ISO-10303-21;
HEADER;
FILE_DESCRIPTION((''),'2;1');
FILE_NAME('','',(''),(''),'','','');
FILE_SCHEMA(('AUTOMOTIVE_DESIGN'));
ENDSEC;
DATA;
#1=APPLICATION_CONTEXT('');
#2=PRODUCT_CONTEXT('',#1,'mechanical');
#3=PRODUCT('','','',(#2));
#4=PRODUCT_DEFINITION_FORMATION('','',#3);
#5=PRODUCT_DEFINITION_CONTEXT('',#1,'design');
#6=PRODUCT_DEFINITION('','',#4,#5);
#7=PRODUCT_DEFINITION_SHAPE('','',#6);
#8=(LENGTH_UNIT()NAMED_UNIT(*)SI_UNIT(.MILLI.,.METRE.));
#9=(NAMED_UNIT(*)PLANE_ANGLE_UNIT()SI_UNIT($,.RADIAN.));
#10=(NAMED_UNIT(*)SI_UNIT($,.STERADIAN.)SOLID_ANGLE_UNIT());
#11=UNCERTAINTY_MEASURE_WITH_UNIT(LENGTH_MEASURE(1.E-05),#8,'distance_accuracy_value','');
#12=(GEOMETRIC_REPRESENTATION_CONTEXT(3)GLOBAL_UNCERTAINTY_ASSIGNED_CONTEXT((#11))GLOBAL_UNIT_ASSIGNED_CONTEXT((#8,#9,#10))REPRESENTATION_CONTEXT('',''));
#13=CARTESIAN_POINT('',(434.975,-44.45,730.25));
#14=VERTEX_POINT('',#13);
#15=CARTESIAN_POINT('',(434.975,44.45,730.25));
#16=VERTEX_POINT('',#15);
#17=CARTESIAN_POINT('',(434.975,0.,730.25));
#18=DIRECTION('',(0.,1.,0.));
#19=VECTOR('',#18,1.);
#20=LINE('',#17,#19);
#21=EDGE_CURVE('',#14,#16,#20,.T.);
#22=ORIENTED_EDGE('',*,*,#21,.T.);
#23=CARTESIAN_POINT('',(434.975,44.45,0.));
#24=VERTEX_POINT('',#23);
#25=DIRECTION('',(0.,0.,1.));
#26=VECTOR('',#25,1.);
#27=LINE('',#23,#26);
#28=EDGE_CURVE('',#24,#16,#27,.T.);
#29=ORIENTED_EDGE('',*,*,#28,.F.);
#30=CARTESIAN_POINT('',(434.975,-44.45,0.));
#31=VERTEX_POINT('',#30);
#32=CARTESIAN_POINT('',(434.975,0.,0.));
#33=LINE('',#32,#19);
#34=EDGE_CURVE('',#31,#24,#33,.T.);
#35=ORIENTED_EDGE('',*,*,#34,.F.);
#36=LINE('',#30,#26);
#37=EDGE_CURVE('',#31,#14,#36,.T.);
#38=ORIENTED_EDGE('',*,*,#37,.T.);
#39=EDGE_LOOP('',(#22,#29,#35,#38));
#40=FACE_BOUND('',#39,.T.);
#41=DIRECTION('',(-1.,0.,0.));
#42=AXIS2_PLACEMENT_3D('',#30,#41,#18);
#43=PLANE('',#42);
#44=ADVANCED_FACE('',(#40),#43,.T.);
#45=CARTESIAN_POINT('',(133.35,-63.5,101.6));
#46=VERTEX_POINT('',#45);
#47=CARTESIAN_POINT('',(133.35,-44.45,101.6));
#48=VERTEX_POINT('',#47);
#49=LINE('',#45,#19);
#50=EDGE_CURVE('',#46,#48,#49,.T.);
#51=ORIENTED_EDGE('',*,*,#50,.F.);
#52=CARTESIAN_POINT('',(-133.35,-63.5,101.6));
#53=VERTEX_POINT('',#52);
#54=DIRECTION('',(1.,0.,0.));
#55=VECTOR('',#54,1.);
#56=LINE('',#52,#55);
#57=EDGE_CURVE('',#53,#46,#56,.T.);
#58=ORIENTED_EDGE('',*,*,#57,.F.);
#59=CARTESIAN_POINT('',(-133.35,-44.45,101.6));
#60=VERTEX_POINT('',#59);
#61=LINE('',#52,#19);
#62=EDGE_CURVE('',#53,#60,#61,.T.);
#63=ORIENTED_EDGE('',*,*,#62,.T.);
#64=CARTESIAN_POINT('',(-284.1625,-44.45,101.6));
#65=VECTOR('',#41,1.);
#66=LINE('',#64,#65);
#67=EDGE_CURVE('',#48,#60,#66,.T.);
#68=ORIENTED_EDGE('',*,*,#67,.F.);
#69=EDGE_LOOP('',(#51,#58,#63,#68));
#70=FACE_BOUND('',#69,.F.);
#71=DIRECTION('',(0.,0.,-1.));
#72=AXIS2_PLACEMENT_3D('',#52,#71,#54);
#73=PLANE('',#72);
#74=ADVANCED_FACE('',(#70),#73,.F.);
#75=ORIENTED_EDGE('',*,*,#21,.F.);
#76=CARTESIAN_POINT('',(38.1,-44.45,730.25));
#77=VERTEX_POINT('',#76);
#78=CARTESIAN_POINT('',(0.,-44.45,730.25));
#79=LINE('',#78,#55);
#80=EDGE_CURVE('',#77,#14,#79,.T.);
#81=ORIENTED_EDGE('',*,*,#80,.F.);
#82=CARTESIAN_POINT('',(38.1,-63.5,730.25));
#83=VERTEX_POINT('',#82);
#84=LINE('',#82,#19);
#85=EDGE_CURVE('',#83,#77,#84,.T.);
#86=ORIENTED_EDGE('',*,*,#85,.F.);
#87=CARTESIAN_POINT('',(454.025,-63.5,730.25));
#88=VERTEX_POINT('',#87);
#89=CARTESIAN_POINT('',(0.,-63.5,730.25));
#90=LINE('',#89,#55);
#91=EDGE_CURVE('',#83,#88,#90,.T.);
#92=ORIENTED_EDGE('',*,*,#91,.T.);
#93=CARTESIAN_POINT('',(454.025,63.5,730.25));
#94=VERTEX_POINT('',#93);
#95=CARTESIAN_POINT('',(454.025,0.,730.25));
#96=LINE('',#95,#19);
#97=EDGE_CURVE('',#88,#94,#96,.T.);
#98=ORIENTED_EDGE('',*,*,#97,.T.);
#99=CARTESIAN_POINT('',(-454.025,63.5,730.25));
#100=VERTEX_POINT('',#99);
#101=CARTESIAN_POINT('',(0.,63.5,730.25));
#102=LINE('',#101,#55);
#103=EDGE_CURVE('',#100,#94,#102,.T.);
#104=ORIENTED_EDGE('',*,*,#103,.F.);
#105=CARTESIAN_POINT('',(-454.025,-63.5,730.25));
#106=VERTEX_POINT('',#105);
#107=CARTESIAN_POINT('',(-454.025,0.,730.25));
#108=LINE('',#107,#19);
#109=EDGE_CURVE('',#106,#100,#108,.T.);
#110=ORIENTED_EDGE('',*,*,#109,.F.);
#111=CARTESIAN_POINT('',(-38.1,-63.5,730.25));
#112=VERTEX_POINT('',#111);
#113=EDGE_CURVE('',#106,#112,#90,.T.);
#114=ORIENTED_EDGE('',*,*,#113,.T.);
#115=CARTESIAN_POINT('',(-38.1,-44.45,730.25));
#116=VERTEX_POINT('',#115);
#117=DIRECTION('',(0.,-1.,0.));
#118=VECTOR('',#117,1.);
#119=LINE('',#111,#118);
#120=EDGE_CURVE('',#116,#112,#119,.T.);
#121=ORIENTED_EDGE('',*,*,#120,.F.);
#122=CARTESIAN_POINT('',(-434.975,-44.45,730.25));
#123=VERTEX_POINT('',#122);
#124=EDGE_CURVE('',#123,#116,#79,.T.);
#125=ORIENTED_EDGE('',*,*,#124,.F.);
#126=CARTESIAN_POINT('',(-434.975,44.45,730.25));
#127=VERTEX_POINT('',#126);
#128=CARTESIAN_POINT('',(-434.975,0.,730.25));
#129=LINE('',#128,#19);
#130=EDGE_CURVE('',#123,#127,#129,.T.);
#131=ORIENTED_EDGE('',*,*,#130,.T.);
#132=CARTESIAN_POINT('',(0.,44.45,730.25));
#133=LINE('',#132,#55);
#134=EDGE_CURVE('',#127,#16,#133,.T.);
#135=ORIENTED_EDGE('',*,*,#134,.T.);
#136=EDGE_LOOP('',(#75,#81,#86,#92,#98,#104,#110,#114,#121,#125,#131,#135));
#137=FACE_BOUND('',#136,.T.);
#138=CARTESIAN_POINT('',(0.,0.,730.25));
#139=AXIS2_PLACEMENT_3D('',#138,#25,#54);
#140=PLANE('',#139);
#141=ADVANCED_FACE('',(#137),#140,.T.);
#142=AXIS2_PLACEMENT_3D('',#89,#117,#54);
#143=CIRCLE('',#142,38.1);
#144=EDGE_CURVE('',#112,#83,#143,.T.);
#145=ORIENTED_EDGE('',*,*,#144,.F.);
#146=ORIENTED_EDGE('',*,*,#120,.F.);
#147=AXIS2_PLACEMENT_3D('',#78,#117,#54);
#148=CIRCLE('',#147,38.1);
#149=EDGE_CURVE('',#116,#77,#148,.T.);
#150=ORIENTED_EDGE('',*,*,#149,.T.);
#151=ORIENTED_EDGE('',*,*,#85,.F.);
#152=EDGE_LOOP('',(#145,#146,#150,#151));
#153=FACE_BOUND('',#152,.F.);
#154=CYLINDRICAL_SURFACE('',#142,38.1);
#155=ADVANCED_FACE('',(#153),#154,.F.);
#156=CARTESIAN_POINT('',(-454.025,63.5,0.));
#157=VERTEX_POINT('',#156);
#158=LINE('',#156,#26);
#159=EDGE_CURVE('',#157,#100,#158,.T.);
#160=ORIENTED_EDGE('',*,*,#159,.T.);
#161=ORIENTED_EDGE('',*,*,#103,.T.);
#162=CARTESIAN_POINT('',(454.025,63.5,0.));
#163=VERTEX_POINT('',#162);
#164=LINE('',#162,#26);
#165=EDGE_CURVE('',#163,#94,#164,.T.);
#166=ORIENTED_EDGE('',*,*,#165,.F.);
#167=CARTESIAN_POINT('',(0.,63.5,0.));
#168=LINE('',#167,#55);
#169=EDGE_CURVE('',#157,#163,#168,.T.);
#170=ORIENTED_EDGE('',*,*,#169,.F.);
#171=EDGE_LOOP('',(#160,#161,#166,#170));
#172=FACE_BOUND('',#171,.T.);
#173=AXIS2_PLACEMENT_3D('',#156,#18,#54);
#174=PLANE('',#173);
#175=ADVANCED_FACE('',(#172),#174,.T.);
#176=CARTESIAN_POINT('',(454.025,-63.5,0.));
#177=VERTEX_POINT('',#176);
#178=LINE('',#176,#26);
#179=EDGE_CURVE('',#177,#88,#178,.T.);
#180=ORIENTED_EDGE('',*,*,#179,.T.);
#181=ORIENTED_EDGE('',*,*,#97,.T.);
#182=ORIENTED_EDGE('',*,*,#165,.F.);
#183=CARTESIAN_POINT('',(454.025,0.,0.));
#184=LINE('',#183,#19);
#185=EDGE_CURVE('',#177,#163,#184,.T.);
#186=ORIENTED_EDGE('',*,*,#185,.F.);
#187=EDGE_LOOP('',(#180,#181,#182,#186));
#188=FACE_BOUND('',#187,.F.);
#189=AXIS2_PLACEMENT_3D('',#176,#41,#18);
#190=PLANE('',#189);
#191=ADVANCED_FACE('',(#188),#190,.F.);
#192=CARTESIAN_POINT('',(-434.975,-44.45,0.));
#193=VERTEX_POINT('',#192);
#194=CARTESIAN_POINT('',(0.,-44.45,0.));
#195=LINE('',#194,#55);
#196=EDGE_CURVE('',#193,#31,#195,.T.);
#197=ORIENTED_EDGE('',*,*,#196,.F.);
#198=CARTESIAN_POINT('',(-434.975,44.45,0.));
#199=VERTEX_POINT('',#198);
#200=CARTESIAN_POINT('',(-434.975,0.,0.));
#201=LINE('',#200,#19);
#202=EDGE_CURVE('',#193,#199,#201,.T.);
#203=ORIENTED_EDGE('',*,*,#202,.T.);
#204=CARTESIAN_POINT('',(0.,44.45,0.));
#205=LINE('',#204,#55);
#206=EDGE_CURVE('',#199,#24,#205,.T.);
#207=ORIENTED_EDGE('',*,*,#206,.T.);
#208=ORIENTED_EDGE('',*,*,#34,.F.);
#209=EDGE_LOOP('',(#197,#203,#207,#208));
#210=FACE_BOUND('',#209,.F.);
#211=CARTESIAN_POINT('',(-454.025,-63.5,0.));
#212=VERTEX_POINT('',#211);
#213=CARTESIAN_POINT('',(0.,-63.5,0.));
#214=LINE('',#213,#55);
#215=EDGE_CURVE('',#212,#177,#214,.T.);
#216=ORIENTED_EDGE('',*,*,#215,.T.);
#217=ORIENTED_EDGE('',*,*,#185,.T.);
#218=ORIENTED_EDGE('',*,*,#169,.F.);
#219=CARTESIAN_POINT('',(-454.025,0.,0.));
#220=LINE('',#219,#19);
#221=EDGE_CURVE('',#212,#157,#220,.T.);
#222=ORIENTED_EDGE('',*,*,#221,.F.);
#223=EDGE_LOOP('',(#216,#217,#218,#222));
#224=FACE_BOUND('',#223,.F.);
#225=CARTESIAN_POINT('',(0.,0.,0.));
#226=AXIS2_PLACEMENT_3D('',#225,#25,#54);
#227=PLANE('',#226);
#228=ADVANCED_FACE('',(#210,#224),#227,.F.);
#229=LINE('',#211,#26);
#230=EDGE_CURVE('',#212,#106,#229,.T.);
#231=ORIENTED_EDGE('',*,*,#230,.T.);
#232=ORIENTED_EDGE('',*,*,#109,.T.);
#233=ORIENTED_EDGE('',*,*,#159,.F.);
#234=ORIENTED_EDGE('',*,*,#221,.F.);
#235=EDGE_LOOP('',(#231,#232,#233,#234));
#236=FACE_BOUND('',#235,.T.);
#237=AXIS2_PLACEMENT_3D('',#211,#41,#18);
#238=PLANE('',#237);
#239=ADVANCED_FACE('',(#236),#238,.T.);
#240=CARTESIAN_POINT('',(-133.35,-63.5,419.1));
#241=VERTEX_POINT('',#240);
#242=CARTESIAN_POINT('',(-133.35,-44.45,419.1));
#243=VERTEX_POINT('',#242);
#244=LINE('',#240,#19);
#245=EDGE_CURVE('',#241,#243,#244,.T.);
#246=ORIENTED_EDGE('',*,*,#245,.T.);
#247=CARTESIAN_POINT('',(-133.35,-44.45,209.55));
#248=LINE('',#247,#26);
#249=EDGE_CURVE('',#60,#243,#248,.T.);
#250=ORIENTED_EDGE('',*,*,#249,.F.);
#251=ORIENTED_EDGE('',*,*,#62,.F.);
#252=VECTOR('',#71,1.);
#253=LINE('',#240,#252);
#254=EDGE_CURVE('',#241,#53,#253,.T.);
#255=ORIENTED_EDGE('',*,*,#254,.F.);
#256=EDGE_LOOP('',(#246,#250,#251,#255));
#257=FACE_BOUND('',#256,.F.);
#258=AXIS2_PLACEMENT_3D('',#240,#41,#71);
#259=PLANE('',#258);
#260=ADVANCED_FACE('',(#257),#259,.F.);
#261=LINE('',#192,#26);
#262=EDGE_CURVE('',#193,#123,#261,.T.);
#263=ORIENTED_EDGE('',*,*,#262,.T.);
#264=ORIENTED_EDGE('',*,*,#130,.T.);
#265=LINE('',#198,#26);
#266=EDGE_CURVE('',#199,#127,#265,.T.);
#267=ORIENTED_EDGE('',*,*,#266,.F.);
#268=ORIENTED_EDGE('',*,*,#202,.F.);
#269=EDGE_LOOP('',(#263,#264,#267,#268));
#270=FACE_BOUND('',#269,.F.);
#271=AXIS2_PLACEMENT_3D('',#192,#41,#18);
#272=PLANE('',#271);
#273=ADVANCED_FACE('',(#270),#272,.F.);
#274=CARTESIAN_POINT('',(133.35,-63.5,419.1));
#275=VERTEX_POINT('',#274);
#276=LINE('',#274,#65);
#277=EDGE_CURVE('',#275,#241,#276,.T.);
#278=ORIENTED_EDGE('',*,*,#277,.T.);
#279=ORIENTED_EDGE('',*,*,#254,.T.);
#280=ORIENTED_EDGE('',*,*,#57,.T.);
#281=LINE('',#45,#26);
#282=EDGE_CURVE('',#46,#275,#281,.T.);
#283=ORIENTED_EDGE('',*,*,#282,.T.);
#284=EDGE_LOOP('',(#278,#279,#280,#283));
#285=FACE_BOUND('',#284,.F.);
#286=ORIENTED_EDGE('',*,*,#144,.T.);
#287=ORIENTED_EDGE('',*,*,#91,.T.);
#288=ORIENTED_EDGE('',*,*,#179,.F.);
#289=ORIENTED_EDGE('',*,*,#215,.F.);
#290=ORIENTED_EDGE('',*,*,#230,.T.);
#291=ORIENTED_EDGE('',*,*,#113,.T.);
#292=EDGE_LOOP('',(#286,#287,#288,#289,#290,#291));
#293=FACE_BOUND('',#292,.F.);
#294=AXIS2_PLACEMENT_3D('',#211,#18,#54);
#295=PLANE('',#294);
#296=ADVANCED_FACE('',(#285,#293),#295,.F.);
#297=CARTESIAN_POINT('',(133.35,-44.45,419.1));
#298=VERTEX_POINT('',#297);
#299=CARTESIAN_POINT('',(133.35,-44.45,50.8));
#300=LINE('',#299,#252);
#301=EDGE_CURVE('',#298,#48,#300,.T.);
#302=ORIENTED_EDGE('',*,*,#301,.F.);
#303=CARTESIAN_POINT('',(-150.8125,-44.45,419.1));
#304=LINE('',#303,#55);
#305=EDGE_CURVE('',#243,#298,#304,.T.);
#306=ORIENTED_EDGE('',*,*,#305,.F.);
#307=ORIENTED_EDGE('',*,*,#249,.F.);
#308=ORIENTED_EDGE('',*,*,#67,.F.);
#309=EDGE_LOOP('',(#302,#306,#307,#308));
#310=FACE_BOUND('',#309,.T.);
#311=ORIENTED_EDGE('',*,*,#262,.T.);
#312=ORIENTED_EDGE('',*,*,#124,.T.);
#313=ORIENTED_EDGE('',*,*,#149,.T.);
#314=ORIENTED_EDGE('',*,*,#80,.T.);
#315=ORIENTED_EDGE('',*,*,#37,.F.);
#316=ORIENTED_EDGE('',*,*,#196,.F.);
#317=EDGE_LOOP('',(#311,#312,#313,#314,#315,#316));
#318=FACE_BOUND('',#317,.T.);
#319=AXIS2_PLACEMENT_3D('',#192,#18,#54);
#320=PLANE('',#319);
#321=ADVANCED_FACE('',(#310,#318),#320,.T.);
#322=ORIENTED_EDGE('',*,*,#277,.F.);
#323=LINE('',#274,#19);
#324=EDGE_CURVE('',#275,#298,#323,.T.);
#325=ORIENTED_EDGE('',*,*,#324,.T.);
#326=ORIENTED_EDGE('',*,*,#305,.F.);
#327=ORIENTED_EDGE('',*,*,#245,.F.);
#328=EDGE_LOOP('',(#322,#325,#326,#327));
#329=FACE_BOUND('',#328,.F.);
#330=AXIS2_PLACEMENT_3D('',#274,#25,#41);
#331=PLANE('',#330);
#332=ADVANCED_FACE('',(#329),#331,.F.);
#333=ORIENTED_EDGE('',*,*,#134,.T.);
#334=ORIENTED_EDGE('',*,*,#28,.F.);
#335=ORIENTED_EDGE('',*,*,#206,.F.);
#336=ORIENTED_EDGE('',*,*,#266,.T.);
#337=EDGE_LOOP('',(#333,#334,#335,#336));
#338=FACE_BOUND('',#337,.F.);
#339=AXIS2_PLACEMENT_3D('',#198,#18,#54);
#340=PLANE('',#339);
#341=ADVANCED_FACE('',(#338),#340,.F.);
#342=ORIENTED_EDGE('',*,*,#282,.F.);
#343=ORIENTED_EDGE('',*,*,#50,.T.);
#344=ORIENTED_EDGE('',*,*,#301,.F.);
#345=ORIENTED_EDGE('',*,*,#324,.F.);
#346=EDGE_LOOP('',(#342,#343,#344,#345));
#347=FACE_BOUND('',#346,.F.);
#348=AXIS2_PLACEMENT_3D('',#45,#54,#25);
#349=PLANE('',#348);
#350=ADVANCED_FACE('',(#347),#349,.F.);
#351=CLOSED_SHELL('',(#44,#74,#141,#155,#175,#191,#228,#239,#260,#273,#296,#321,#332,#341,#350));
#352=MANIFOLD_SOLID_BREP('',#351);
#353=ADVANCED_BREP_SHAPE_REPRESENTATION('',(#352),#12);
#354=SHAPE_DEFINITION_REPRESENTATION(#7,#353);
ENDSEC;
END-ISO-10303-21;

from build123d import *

# Parameters (mm, degrees)
F0_W     = 908.05
F0_H     = 127
F0_W_2   = 869.95
F0_H_2   = 88.9
F1_DEPTH = 730.25
F3_DEPTH = 25.4
F4_R     = 38.1
F5_DEPTH = 25.4


with BuildPart() as f1:
    # F0 (on Top) → F1 (new body)
    with BuildSketch(Plane.XY):
        Rectangle(F0_W, F0_H)
        Rectangle(F0_W_2, F0_H_2, mode=Mode.SUBTRACT)
    extrude(amount=F1_DEPTH)

    # F2 (on face) → F3 (cut)
    with BuildSketch(Plane.XZ.offset(63.5)):
        Polygon((-133.35, 101.6), (0, 101.6), (133.35, 101.6), (133.35, 419.1), (-133.35, 419.1), align=None)
    extrude(amount=-F3_DEPTH, mode=Mode.SUBTRACT)

    # F4 (on face) → F5 (cut)
    with BuildSketch(Plane.XZ.offset(63.5)):
        with Locations((0, 730.25)):
            Circle(F4_R)
    extrude(amount=-F5_DEPTH, mode=Mode.SUBTRACT)


solid = f1.part
